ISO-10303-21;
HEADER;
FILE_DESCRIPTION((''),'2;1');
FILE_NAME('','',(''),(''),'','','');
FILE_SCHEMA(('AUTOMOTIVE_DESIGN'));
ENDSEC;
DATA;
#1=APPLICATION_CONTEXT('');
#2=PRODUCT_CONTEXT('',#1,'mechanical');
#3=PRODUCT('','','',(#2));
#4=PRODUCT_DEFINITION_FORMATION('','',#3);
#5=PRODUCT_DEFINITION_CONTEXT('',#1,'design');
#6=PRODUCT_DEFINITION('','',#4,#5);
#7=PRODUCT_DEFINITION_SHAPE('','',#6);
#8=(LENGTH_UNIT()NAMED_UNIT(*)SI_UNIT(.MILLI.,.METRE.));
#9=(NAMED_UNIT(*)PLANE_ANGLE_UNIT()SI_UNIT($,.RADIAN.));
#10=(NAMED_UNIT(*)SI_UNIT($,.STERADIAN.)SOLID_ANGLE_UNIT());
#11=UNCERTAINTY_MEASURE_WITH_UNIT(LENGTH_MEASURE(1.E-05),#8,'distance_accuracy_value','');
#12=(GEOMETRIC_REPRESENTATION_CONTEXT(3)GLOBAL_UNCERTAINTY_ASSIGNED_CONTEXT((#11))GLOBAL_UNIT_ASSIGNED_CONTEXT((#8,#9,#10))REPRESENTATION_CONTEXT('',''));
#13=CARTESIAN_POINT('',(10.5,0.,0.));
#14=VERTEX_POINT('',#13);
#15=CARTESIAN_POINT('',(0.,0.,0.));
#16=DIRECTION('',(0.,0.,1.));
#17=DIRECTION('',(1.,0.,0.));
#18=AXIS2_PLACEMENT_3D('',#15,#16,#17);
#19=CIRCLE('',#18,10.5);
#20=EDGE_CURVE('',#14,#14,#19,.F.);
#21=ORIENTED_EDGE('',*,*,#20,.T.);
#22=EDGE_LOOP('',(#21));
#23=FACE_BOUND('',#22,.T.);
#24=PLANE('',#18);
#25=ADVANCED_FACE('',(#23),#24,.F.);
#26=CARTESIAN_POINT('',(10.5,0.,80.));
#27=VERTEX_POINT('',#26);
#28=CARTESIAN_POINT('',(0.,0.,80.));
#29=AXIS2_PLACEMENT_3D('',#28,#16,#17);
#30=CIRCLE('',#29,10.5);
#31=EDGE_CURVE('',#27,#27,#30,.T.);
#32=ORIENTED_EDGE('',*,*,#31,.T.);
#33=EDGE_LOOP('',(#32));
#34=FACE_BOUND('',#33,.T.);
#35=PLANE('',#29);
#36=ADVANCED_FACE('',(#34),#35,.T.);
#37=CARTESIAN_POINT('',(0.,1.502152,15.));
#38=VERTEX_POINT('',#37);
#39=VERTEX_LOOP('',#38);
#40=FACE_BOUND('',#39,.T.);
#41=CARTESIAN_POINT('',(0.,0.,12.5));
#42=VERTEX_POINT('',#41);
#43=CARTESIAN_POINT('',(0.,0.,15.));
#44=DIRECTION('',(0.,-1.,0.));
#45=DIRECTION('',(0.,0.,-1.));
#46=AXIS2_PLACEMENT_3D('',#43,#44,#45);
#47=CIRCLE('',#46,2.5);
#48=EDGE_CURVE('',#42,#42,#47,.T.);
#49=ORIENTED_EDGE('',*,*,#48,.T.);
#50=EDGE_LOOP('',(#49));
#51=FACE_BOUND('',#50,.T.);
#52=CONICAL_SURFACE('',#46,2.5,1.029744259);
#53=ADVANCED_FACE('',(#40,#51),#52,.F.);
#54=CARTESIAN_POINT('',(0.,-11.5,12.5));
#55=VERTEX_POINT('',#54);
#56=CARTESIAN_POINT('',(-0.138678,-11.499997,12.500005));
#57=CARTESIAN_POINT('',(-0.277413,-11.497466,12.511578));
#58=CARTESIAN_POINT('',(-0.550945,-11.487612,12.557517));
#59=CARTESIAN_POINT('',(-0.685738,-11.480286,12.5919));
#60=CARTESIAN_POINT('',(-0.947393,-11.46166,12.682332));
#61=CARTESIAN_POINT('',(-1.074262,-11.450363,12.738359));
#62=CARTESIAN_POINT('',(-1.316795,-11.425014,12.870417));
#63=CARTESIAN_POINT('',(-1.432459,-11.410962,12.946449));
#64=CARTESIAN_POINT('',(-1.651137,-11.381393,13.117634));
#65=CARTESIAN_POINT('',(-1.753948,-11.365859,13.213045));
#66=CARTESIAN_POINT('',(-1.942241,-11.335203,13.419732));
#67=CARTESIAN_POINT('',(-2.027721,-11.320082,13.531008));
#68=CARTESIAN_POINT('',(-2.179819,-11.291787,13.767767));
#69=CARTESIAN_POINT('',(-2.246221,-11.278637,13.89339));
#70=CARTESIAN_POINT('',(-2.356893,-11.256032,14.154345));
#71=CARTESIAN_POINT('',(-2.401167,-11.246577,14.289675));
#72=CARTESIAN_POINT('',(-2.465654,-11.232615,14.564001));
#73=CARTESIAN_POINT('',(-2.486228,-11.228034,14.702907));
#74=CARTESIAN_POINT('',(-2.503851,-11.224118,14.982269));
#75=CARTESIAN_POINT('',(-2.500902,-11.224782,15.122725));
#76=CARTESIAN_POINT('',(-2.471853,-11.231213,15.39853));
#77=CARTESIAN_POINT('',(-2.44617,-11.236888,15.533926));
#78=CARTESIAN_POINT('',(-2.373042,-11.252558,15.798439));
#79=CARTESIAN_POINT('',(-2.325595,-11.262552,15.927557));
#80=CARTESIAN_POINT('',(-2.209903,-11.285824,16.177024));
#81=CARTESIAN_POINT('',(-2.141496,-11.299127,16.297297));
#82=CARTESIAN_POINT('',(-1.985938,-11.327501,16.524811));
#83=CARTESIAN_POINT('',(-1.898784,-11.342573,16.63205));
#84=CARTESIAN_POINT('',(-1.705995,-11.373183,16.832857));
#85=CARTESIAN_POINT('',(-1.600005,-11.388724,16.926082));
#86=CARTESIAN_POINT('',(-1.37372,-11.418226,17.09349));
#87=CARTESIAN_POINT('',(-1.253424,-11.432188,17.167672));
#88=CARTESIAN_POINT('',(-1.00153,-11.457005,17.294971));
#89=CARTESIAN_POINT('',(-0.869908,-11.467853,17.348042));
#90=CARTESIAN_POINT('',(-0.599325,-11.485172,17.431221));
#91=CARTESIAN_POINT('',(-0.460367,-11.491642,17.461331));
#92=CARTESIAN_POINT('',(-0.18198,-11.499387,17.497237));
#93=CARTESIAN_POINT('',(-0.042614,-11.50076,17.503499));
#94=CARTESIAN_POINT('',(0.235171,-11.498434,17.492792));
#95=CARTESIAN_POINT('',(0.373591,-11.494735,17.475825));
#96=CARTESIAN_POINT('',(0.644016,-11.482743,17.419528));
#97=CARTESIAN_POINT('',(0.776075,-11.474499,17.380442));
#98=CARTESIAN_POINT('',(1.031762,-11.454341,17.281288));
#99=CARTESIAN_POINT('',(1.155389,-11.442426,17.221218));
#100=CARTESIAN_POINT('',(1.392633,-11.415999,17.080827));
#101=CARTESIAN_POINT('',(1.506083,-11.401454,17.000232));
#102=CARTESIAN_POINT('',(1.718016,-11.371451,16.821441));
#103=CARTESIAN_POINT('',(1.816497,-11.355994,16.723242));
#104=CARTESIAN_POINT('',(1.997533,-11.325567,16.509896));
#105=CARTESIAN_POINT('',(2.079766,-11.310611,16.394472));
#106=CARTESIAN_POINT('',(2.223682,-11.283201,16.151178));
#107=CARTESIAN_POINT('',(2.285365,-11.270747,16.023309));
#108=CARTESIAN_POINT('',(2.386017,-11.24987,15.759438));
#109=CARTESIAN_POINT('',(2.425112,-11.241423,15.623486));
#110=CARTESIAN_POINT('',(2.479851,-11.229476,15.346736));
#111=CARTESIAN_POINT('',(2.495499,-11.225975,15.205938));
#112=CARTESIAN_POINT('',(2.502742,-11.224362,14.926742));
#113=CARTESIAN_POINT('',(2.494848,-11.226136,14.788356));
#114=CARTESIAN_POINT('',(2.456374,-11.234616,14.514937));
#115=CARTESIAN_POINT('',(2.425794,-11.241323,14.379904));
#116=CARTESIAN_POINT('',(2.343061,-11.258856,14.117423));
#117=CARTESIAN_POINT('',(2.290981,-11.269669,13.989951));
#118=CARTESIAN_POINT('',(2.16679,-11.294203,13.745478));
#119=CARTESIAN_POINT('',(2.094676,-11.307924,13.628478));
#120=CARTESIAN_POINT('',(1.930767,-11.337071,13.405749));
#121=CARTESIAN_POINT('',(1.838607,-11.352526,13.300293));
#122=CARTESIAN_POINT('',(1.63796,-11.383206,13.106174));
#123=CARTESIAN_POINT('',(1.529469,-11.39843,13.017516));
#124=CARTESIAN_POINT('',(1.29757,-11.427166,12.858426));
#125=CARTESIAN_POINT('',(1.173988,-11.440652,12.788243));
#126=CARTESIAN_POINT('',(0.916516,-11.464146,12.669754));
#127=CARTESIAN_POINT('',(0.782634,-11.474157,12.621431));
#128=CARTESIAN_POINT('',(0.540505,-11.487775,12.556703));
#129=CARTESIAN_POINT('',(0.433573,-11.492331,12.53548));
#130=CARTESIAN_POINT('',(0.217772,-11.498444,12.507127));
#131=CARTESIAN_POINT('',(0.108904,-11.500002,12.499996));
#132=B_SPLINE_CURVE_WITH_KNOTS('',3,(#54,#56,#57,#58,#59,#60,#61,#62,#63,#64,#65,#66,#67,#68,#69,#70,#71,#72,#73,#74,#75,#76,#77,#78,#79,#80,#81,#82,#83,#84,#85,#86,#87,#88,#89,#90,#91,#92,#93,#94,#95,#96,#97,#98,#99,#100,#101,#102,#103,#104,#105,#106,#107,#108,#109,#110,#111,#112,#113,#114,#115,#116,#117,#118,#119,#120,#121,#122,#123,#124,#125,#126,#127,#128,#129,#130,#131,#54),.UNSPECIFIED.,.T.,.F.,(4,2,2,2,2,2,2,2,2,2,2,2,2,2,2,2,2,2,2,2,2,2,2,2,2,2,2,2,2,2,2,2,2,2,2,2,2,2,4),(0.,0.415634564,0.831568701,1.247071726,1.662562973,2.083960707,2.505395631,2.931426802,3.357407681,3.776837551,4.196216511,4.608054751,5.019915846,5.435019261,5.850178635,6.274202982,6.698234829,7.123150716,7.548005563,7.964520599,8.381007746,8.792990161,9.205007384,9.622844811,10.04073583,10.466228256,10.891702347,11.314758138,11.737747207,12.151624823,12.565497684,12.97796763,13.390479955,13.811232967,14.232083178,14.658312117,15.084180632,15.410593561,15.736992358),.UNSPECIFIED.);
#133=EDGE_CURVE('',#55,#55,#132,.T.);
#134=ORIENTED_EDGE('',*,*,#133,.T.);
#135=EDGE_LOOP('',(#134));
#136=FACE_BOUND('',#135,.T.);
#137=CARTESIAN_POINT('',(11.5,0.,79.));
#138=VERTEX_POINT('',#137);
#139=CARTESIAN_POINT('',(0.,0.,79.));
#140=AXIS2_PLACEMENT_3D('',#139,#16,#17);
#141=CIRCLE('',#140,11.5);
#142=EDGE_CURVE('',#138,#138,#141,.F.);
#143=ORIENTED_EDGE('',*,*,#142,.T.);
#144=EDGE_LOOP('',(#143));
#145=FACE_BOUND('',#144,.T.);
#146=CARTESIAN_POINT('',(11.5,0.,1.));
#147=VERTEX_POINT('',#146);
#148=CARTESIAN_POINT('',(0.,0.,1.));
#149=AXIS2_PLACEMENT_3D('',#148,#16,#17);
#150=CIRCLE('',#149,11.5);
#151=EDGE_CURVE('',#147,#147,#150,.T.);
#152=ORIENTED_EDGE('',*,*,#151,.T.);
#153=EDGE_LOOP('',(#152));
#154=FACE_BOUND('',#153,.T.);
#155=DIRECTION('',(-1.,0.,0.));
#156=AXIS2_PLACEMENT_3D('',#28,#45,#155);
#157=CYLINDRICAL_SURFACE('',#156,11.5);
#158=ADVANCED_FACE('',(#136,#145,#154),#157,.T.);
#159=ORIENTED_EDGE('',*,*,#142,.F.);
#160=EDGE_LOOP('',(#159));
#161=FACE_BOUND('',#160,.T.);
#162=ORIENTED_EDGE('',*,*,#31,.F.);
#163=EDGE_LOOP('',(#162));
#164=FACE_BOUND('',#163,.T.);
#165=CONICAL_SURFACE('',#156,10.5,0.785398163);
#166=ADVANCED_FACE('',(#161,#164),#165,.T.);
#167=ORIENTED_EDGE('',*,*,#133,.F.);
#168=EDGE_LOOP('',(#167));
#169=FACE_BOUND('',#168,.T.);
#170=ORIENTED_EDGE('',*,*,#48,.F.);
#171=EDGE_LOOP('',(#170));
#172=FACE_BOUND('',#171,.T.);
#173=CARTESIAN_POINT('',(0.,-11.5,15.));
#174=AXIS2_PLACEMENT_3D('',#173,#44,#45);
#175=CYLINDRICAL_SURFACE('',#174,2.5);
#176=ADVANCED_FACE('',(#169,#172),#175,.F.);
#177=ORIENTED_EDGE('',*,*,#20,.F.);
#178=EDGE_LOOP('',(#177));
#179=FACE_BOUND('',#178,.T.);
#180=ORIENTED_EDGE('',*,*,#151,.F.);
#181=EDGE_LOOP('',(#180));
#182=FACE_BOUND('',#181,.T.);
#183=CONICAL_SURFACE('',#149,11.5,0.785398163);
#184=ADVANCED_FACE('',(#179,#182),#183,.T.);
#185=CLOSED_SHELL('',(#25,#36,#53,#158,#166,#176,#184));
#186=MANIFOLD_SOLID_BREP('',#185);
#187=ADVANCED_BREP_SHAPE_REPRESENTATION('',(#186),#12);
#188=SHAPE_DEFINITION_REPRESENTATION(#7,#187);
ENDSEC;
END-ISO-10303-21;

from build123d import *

# Parameters (mm, degrees)
SKETCH2_R                 = 11.5
BOSS_EXTRUDE1_DEPTH       = 80
CHAMFER1_SIZE             = 1
M6X1_0_TAPPED_HOLE1_D     = 5
M6X1_0_TAPPED_HOLE1_DEPTH = 11.5
M6X1_0_TAPPED_HOLE1_TIP   = 1.502151548


with BuildPart() as part:
    # Sketch2 → Boss-Extrude1 (new body)
    with BuildSketch(Plane.XY):
        Circle(SKETCH2_R)
    extrude(amount=BOSS_EXTRUDE1_DEPTH)

    # Chamfer1
    chamfer1_edges = [part.edges().sort_by_distance(p)[0] for p in [
        (-11.5, 0, 0),
        (-11.5, 0, 80),
    ]]
    chamfer(chamfer1_edges, length=CHAMFER1_SIZE)

    # M6x1.0 Tapped Hole1
    with Locations(Plane.XZ.offset(11.5)):
        with Locations((0, 15)):
            Hole(M6X1_0_TAPPED_HOLE1_D / 2, depth=M6X1_0_TAPPED_HOLE1_DEPTH)
            with Locations((0, 0, -(M6X1_0_TAPPED_HOLE1_DEPTH + M6X1_0_TAPPED_HOLE1_TIP / 2))):  # 118° drill point
                Cone(0, M6X1_0_TAPPED_HOLE1_D / 2, M6X1_0_TAPPED_HOLE1_TIP, mode=Mode.SUBTRACT)


solid = part.part
